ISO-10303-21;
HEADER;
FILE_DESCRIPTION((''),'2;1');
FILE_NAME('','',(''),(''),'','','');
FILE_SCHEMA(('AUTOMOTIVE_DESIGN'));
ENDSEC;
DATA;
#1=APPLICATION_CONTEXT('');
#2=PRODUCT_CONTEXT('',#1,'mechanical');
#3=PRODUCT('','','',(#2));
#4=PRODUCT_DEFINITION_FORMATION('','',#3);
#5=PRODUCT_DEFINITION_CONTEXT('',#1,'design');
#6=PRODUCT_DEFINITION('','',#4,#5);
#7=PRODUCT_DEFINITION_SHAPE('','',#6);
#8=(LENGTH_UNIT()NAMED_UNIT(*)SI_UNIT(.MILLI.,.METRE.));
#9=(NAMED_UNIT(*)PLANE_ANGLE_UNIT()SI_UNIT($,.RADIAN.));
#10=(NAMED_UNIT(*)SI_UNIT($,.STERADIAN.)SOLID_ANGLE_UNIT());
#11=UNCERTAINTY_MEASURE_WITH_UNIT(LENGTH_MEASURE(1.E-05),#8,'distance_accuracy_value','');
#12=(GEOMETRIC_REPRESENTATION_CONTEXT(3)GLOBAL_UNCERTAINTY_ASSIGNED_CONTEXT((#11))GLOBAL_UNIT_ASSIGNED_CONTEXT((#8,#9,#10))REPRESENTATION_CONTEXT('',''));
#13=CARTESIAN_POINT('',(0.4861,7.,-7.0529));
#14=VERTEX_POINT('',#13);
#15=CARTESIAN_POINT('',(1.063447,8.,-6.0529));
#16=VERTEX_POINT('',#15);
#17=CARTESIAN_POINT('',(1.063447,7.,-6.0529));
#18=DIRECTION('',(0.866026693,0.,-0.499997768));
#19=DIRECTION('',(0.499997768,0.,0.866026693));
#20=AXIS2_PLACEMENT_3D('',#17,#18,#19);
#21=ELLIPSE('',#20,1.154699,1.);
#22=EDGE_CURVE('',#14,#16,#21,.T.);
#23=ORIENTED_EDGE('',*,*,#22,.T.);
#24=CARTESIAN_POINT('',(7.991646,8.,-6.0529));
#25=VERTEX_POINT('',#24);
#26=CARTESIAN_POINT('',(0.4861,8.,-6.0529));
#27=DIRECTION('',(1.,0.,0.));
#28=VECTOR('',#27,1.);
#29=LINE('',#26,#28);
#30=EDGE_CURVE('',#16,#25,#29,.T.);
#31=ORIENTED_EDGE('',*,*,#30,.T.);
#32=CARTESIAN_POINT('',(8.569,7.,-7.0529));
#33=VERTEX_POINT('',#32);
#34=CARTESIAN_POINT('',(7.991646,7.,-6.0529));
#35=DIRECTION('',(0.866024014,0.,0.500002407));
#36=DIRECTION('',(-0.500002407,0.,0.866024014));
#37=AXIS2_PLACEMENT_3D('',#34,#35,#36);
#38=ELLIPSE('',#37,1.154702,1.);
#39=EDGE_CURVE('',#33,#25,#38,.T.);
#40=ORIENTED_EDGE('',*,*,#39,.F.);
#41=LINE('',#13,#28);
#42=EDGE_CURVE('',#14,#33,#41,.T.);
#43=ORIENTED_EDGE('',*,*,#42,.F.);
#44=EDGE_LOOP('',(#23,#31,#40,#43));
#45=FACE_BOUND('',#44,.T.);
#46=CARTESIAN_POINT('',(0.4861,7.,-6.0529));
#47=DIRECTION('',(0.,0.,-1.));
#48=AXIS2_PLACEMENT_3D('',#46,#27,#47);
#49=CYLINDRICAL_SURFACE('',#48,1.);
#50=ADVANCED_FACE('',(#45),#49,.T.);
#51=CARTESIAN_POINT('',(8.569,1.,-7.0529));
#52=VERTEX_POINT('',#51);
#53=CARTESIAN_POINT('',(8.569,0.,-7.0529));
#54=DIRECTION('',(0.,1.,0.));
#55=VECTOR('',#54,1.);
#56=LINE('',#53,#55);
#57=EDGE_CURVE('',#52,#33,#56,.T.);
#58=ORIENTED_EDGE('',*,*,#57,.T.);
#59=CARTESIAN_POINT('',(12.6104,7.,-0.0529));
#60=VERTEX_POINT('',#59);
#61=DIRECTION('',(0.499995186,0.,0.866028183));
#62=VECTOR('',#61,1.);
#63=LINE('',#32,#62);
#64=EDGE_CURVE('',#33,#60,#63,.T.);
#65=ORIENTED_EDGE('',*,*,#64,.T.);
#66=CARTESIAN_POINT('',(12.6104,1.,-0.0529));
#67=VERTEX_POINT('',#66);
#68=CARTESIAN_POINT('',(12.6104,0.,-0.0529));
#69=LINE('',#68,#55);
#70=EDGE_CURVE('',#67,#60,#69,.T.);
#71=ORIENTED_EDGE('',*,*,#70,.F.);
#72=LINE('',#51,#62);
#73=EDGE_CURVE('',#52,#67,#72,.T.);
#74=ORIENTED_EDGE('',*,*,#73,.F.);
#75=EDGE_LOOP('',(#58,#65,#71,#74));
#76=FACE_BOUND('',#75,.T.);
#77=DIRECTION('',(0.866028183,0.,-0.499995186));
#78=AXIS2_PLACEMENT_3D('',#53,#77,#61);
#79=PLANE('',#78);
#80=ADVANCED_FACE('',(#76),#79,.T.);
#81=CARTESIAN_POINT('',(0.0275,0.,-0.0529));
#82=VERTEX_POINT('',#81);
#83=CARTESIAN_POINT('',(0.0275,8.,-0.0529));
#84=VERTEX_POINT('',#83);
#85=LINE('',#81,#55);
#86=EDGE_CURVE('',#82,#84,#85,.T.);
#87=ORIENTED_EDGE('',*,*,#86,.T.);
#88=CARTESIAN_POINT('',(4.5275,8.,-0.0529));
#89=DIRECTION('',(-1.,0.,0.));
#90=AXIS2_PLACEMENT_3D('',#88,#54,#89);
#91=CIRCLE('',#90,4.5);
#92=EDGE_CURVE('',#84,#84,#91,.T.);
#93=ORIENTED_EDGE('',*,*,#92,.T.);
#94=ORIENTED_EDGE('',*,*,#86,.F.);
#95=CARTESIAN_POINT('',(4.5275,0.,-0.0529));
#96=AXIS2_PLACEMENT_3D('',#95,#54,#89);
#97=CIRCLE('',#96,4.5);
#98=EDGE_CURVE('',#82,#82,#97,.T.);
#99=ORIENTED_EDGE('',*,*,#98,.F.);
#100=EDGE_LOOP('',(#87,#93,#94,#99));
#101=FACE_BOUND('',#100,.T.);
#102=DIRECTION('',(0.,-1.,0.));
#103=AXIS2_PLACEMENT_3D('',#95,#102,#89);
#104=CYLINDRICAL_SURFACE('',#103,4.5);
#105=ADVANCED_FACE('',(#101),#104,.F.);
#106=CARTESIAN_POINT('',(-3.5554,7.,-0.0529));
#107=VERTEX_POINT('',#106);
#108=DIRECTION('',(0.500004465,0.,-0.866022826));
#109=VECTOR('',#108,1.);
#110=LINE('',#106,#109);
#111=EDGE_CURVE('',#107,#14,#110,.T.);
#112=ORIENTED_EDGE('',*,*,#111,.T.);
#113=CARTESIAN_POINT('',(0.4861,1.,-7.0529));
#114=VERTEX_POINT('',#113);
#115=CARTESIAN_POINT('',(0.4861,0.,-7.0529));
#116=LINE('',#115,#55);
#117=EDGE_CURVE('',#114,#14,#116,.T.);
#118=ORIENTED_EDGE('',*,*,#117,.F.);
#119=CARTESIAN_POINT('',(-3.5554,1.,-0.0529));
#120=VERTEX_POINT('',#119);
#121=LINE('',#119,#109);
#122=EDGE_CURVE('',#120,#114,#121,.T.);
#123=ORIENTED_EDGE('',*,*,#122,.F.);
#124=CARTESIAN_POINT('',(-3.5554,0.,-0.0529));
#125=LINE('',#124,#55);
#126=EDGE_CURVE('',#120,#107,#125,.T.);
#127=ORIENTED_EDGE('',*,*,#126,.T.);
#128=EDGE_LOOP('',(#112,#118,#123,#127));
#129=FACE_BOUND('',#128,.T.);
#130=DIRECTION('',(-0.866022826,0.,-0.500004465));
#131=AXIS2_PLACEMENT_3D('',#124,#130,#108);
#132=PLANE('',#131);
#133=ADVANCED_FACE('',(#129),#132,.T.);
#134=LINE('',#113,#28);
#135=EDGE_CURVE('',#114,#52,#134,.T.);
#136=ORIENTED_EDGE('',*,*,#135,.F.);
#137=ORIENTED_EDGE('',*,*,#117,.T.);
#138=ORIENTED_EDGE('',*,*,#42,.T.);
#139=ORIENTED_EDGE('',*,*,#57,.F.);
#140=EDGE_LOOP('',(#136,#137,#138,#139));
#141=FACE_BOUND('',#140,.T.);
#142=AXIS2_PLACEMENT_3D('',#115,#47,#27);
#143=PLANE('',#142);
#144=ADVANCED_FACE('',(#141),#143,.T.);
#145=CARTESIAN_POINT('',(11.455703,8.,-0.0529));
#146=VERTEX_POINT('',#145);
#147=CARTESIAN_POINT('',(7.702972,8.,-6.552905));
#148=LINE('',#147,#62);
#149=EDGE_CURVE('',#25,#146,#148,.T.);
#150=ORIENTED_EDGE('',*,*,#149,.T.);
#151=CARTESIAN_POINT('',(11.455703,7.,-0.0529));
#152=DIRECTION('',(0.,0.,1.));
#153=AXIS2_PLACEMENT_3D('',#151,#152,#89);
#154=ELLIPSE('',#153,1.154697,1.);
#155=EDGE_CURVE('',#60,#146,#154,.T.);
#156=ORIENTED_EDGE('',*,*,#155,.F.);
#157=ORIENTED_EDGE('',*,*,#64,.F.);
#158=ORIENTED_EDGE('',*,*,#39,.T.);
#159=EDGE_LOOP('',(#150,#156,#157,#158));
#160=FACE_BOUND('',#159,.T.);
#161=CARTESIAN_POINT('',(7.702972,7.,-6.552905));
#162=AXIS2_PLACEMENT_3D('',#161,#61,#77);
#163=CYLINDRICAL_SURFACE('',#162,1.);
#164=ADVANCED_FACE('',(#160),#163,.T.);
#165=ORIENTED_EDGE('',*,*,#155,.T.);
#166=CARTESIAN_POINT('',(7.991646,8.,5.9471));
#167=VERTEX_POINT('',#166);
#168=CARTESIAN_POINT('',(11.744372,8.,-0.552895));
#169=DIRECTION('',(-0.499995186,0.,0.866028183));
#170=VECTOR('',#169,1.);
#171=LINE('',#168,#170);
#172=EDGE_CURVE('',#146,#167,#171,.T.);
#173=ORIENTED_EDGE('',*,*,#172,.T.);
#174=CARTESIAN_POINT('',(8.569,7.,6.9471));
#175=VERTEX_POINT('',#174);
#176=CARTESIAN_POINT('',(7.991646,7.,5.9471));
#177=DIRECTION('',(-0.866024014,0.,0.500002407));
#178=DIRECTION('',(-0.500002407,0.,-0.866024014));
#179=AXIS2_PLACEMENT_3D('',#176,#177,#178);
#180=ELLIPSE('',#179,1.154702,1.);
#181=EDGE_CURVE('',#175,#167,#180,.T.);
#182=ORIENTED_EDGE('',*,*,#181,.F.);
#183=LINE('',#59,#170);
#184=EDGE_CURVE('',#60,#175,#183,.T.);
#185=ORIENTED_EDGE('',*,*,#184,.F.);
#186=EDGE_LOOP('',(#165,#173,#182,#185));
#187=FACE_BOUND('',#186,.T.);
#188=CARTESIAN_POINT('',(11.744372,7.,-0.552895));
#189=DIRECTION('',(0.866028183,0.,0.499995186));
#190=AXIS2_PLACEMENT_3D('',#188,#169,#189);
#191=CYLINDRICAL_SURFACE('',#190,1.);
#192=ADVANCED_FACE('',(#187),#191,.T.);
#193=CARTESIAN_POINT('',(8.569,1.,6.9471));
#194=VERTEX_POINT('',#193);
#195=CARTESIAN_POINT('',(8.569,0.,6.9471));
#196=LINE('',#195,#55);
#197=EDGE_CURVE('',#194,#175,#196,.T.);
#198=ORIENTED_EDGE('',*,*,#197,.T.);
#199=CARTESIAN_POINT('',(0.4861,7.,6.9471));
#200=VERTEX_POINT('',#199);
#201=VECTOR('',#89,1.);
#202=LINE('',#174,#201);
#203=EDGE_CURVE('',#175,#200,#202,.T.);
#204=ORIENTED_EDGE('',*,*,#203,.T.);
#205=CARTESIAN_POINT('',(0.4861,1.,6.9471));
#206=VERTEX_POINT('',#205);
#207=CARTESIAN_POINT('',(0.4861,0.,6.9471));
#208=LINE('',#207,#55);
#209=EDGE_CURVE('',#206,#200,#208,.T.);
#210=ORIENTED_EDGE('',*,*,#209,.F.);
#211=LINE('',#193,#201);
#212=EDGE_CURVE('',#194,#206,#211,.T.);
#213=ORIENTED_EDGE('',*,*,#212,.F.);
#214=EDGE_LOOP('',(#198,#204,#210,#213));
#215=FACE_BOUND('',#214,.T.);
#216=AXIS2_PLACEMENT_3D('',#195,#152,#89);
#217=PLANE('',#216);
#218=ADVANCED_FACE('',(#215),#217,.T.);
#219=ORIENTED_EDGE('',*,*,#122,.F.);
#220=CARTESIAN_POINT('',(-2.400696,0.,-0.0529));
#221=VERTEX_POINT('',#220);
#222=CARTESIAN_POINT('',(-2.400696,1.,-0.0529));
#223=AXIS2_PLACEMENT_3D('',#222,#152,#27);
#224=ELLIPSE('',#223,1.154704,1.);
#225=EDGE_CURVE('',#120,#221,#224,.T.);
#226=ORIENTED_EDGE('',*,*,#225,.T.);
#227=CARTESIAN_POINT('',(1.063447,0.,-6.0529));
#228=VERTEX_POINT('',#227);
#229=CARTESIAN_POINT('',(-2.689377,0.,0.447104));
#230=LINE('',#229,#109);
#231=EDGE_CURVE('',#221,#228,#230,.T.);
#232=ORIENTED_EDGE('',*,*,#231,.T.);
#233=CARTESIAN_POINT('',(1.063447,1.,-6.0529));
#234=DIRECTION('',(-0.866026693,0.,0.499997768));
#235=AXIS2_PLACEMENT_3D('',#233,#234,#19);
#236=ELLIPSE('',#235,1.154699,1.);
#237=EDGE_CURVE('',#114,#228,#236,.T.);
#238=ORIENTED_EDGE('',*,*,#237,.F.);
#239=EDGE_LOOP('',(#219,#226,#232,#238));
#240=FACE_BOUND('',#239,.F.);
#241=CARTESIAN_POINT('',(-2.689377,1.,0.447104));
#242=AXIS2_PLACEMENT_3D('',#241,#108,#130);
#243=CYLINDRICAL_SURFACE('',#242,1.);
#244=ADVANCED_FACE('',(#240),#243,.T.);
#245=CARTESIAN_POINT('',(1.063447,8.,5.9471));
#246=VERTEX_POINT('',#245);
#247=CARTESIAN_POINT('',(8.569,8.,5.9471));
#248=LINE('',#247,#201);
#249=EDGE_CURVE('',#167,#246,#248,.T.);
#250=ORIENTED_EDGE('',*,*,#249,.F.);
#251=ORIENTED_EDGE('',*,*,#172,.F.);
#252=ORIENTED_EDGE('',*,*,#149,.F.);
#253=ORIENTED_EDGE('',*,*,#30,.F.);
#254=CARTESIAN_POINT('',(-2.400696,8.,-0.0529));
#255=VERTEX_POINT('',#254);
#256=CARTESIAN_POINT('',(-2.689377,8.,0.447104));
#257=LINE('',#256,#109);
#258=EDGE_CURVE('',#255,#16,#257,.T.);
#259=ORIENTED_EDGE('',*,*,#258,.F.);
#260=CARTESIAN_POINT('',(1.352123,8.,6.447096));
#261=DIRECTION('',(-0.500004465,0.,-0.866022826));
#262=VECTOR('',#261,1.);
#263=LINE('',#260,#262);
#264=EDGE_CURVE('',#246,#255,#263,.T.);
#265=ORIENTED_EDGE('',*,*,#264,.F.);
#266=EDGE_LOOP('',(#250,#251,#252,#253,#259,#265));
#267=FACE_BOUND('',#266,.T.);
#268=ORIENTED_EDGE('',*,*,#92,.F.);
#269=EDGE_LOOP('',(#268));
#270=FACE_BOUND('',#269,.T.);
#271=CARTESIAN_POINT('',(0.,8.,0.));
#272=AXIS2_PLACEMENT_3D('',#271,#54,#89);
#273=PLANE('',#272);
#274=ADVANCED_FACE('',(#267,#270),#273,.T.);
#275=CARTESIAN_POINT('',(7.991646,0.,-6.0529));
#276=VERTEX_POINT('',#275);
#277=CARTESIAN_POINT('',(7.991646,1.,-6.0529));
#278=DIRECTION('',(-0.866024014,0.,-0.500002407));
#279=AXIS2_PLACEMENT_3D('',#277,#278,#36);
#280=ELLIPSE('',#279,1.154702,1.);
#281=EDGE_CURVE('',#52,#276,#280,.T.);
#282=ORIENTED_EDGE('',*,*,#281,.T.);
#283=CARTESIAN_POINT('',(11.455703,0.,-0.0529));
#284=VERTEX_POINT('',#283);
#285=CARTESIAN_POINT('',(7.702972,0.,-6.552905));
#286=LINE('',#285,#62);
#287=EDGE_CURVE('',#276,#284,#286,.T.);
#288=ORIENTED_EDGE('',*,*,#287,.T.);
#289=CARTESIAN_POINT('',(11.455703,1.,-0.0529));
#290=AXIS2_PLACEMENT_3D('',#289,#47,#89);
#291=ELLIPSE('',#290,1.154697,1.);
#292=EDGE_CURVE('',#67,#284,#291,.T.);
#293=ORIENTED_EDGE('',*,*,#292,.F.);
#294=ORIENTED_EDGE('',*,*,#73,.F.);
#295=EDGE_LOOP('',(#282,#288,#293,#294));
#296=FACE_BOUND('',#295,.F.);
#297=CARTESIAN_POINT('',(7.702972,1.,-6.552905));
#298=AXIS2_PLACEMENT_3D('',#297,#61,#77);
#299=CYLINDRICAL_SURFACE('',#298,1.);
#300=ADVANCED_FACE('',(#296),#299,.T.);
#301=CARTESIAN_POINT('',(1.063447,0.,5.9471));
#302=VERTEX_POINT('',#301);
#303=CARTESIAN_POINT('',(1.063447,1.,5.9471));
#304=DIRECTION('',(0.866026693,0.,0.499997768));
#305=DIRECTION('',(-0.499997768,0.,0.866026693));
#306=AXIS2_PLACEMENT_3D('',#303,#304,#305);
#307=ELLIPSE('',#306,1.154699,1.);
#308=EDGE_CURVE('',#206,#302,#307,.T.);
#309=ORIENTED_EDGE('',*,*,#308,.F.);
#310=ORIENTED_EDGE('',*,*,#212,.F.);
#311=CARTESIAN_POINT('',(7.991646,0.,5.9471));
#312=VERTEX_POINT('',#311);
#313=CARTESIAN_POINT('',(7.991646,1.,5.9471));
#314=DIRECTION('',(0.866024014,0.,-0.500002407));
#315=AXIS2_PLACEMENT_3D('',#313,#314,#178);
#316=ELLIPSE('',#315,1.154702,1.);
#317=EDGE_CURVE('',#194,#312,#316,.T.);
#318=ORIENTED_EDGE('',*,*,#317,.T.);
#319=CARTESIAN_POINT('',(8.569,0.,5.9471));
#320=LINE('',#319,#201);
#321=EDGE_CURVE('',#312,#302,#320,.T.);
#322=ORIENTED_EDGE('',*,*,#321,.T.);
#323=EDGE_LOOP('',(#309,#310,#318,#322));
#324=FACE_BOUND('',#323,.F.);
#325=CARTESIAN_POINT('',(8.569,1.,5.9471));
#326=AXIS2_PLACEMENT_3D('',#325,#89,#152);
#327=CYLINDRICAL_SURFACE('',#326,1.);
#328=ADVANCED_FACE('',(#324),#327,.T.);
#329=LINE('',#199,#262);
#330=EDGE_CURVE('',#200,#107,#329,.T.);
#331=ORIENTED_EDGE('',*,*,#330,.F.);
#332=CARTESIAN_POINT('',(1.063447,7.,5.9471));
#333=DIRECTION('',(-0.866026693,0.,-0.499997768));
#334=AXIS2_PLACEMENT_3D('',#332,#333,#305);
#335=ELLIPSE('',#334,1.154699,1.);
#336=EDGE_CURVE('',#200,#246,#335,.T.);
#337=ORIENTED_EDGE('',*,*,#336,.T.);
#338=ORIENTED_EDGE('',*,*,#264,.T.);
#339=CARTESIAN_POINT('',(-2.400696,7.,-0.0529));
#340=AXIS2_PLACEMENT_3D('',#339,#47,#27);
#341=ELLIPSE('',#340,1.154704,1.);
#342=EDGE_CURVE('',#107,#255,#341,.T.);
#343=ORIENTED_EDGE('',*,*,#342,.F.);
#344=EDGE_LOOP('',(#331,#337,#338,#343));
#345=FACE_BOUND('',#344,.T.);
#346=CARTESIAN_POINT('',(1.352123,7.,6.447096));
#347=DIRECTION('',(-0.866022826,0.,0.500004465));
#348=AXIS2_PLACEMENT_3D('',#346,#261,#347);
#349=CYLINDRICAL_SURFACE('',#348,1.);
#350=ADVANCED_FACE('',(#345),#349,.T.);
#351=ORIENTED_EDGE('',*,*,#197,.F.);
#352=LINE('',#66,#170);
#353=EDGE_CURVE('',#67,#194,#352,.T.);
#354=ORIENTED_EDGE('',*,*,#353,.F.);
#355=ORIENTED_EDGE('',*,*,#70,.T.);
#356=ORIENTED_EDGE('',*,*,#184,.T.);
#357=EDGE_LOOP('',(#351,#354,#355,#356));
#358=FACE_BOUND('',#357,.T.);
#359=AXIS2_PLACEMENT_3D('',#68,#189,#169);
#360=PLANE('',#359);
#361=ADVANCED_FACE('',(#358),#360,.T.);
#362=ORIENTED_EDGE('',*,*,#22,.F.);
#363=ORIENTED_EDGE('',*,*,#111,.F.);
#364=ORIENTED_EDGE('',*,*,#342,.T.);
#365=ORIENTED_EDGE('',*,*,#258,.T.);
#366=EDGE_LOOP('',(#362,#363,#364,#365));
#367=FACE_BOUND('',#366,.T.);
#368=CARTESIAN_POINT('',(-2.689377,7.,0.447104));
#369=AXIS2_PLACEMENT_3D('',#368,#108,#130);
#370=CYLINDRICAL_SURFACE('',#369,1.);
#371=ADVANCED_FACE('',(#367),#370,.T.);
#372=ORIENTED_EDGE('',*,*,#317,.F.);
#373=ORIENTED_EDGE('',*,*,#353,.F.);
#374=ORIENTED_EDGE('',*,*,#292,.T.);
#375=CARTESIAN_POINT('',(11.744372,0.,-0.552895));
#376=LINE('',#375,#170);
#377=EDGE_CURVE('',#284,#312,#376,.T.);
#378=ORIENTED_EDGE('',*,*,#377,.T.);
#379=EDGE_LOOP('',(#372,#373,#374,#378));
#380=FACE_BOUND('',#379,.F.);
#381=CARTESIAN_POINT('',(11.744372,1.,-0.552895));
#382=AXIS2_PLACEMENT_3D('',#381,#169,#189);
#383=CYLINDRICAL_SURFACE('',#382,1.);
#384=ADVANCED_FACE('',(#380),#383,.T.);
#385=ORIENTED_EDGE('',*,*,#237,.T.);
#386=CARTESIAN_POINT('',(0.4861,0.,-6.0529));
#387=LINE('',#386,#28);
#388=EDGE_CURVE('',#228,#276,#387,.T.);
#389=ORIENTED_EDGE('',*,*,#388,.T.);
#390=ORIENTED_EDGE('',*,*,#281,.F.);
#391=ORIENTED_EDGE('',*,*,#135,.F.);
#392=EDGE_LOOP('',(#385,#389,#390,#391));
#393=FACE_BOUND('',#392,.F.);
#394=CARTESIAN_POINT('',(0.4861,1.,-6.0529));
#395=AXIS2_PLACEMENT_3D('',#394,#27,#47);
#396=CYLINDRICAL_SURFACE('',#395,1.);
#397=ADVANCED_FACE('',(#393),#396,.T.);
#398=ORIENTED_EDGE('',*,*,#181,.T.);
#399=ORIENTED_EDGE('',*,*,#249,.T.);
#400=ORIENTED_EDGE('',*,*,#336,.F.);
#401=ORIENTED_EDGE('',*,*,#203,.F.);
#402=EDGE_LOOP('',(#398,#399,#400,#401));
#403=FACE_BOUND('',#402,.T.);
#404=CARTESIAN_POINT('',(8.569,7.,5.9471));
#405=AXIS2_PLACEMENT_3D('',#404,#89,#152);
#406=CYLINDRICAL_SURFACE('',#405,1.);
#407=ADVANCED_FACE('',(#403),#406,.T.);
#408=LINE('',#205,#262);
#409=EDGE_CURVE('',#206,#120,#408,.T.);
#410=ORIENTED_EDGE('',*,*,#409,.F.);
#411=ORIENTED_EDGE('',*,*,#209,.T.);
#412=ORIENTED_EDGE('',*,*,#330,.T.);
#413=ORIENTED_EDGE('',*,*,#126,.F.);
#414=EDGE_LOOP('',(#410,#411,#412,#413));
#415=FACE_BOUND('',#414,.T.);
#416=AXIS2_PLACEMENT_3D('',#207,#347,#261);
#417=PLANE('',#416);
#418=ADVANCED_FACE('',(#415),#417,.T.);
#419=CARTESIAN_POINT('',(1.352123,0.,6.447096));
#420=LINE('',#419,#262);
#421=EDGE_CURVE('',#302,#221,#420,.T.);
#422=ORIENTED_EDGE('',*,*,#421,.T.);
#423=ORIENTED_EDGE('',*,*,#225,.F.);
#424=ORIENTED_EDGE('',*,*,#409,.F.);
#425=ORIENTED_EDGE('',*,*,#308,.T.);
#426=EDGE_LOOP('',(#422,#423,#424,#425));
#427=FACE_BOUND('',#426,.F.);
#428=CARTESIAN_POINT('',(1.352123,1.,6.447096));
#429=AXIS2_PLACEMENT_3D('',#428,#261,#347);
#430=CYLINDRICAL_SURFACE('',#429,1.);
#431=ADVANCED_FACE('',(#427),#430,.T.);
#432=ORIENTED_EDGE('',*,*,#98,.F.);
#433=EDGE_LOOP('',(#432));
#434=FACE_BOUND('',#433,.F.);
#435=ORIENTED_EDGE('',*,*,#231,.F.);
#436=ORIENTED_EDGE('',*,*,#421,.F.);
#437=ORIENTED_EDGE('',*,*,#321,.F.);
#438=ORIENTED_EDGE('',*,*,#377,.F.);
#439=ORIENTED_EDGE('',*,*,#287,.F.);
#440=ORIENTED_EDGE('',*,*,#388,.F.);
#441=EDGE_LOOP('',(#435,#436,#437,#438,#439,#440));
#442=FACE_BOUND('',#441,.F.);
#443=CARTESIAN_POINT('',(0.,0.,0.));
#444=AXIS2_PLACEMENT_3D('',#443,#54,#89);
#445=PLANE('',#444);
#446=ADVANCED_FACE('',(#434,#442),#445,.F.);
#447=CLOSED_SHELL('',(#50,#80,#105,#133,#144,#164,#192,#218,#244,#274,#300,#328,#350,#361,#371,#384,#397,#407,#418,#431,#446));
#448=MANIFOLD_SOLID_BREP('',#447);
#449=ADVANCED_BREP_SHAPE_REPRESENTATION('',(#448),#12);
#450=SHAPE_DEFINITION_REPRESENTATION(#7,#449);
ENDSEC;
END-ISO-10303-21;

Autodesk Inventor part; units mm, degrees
ref_plane "YZ Plane" through (0, 0, 0) normal (1, 0, 0) x (0, 1, 0)
ref_plane "XZ Plane" through (0, 0, 0) normal (0, 1, 0) x (-1, 0, 0)
ref_plane "XY Plane" through (0, 0, 0) normal (0, 0, 1) x (1, 0, 0)
sketch "Sketch1" plane through (0, 0, 0) normal (0, 1, 0) x (-1, 0, 0)
  line L0 (-0.4861, -7.0529) -> (-8.569, -7.0529)
  line L1 (-8.569, -7.0529) -> (-12.6104, -0.0529)
  line L2 (-12.6104, -0.0529) -> (-8.569, 6.9471)
  line L3 (-8.569, 6.9471) -> (-0.4861, 6.9471)
  line L4 (-0.4861, 6.9471) -> (3.5554, -0.0529)
  line L5 (3.5554, -0.0529) -> (-0.4861, -7.0529)
  circle A0 centre (-4.5275, -0.0529) radius 4.5
  dimension "d0" = 14
  dimension "d1" = 9
extrude "Extrusion1" add sketch "Sketch1" along normal blind 8
fillet "Fillet1" radius 1 12 edges at (4.5275, 8, 6.9471) (10.5897, 8, 3.4471) (10.5897, 8, -3.5529) (4.5275, 8, -7.0529) (-1.5346, 8, -3.5529) (-1.5346, 8, 3.4471) (4.5275, 0, 6.9471) (10.5897, 0, 3.4471) (10.5897, 0, -3.5529) (4.5275, 0, -7.0529) (-1.5346, 0, -3.5529) (-1.5346, 0, 3.4471)
properties part number "Tuerca"
